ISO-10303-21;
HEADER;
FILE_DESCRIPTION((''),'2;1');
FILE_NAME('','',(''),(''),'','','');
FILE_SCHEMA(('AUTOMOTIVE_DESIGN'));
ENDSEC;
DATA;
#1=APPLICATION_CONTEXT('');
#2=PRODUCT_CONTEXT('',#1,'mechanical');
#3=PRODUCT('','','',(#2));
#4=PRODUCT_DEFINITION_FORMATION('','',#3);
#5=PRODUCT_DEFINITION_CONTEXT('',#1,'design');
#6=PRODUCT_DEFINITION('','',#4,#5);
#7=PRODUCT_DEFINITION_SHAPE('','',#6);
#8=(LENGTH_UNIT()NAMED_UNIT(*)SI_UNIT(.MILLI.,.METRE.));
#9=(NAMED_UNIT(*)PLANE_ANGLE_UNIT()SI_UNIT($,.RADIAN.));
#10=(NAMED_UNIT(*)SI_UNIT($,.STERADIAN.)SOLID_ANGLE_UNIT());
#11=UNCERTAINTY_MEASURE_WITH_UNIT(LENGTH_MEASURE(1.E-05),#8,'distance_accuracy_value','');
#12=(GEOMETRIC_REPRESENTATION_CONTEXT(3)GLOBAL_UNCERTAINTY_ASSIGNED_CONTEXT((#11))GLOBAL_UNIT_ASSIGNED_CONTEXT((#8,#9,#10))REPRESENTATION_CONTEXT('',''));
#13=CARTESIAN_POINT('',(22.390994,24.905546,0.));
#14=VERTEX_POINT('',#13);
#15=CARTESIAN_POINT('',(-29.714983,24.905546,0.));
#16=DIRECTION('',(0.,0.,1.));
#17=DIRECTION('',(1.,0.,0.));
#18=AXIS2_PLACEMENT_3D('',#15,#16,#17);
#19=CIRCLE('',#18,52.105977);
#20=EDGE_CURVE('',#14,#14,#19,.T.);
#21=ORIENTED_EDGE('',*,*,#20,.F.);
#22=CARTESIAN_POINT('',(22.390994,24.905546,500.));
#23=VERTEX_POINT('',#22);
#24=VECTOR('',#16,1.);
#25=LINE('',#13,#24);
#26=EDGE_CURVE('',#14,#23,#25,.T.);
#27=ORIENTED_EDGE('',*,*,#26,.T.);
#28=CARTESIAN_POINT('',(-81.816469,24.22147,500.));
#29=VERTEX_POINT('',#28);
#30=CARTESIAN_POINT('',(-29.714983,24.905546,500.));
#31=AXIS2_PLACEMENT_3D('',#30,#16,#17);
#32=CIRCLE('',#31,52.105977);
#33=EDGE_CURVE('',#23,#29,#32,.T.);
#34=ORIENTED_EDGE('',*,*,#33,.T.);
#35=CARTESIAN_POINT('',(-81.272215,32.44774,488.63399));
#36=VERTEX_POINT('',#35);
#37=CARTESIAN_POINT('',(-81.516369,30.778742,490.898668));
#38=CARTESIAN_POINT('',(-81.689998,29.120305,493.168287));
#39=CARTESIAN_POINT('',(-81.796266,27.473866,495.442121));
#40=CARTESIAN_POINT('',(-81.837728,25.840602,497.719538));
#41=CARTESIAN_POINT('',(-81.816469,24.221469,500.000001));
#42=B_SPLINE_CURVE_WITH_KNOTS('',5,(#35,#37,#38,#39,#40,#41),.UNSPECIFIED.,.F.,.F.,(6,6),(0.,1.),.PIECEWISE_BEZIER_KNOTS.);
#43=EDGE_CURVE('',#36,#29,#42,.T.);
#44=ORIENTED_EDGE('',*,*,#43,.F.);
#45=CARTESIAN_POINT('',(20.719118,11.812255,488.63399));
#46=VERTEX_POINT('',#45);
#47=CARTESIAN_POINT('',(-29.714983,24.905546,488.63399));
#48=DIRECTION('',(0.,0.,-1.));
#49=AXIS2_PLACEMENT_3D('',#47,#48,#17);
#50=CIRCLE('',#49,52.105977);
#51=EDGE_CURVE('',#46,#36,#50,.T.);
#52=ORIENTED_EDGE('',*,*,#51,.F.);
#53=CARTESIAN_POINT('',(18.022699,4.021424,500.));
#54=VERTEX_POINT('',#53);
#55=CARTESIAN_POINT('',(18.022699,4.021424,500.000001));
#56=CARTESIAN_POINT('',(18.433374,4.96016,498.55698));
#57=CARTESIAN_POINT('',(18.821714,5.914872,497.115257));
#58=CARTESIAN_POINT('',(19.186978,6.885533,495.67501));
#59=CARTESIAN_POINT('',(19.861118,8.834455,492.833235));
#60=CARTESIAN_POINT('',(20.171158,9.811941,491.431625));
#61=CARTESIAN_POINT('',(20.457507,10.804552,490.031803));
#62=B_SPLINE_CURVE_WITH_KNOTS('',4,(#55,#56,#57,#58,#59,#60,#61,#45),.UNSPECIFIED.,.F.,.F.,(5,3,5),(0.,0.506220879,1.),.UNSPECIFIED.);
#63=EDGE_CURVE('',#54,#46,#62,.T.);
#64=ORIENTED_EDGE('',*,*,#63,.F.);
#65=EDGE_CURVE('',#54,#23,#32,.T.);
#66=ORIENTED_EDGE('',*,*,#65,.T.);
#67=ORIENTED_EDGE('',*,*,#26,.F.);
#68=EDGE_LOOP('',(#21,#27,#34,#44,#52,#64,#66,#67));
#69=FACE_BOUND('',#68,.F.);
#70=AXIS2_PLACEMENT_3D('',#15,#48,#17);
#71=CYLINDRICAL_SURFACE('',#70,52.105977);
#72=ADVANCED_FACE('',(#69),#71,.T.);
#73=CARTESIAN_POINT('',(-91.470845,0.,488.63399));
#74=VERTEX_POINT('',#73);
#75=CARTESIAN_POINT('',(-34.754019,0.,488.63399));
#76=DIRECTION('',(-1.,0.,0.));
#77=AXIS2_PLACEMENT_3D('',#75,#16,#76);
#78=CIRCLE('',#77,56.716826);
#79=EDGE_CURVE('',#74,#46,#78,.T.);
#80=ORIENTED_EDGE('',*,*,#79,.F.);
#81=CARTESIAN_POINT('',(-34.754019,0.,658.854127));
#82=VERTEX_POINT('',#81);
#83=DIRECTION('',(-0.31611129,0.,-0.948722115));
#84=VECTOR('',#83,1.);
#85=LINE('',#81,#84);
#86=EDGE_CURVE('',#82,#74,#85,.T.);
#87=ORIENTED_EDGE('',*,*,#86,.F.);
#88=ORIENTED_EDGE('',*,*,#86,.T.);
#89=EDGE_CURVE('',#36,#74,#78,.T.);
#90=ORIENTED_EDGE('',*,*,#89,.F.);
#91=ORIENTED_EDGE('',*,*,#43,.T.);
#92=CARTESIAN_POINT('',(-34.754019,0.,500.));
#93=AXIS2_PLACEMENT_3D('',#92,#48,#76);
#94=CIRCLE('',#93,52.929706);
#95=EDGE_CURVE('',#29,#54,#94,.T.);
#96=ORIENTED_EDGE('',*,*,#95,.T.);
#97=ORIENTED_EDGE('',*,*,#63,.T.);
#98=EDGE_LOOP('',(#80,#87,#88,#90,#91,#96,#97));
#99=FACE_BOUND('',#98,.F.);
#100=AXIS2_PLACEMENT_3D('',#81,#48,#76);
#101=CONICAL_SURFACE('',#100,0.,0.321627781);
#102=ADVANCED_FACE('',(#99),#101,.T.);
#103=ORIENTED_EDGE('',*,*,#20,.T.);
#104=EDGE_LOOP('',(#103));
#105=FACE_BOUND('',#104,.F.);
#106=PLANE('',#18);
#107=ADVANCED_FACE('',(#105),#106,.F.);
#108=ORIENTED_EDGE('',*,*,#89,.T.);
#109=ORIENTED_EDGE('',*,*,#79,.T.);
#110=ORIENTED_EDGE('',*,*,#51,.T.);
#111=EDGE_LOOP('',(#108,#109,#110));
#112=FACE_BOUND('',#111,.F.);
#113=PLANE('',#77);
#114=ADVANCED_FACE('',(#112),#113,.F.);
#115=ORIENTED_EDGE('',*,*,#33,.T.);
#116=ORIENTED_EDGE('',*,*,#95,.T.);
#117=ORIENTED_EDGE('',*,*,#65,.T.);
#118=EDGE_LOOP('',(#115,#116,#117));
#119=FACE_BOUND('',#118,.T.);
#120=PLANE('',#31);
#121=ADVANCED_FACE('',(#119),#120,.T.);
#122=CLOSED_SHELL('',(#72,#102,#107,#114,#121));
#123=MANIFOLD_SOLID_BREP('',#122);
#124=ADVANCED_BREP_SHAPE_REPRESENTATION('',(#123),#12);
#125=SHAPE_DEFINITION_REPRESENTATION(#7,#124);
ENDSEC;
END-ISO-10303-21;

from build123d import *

# Parameters (mm, degrees)
F0_R     = 52.105977
F1_DEPTH = 500


with BuildPart() as f1:
    # F0 (on Top) → F1 (new body)
    with BuildSketch(Plane.XY):
        with Locations((-29.714983, 24.905546)):
            Circle(F0_R)
    extrude(amount=F1_DEPTH)

    # F2 (on Front) → F3 (revolve)
    with BuildSketch(Plane.XZ):
        Polygon((-91.470845, 488.63399), (-34.754019, 488.63399), (-34.754019, 658.854127), align=None)
    revolve(axis=Axis((-34.754019, 0, 573.744059), (0, 0, 1)))


solid = f1.part
